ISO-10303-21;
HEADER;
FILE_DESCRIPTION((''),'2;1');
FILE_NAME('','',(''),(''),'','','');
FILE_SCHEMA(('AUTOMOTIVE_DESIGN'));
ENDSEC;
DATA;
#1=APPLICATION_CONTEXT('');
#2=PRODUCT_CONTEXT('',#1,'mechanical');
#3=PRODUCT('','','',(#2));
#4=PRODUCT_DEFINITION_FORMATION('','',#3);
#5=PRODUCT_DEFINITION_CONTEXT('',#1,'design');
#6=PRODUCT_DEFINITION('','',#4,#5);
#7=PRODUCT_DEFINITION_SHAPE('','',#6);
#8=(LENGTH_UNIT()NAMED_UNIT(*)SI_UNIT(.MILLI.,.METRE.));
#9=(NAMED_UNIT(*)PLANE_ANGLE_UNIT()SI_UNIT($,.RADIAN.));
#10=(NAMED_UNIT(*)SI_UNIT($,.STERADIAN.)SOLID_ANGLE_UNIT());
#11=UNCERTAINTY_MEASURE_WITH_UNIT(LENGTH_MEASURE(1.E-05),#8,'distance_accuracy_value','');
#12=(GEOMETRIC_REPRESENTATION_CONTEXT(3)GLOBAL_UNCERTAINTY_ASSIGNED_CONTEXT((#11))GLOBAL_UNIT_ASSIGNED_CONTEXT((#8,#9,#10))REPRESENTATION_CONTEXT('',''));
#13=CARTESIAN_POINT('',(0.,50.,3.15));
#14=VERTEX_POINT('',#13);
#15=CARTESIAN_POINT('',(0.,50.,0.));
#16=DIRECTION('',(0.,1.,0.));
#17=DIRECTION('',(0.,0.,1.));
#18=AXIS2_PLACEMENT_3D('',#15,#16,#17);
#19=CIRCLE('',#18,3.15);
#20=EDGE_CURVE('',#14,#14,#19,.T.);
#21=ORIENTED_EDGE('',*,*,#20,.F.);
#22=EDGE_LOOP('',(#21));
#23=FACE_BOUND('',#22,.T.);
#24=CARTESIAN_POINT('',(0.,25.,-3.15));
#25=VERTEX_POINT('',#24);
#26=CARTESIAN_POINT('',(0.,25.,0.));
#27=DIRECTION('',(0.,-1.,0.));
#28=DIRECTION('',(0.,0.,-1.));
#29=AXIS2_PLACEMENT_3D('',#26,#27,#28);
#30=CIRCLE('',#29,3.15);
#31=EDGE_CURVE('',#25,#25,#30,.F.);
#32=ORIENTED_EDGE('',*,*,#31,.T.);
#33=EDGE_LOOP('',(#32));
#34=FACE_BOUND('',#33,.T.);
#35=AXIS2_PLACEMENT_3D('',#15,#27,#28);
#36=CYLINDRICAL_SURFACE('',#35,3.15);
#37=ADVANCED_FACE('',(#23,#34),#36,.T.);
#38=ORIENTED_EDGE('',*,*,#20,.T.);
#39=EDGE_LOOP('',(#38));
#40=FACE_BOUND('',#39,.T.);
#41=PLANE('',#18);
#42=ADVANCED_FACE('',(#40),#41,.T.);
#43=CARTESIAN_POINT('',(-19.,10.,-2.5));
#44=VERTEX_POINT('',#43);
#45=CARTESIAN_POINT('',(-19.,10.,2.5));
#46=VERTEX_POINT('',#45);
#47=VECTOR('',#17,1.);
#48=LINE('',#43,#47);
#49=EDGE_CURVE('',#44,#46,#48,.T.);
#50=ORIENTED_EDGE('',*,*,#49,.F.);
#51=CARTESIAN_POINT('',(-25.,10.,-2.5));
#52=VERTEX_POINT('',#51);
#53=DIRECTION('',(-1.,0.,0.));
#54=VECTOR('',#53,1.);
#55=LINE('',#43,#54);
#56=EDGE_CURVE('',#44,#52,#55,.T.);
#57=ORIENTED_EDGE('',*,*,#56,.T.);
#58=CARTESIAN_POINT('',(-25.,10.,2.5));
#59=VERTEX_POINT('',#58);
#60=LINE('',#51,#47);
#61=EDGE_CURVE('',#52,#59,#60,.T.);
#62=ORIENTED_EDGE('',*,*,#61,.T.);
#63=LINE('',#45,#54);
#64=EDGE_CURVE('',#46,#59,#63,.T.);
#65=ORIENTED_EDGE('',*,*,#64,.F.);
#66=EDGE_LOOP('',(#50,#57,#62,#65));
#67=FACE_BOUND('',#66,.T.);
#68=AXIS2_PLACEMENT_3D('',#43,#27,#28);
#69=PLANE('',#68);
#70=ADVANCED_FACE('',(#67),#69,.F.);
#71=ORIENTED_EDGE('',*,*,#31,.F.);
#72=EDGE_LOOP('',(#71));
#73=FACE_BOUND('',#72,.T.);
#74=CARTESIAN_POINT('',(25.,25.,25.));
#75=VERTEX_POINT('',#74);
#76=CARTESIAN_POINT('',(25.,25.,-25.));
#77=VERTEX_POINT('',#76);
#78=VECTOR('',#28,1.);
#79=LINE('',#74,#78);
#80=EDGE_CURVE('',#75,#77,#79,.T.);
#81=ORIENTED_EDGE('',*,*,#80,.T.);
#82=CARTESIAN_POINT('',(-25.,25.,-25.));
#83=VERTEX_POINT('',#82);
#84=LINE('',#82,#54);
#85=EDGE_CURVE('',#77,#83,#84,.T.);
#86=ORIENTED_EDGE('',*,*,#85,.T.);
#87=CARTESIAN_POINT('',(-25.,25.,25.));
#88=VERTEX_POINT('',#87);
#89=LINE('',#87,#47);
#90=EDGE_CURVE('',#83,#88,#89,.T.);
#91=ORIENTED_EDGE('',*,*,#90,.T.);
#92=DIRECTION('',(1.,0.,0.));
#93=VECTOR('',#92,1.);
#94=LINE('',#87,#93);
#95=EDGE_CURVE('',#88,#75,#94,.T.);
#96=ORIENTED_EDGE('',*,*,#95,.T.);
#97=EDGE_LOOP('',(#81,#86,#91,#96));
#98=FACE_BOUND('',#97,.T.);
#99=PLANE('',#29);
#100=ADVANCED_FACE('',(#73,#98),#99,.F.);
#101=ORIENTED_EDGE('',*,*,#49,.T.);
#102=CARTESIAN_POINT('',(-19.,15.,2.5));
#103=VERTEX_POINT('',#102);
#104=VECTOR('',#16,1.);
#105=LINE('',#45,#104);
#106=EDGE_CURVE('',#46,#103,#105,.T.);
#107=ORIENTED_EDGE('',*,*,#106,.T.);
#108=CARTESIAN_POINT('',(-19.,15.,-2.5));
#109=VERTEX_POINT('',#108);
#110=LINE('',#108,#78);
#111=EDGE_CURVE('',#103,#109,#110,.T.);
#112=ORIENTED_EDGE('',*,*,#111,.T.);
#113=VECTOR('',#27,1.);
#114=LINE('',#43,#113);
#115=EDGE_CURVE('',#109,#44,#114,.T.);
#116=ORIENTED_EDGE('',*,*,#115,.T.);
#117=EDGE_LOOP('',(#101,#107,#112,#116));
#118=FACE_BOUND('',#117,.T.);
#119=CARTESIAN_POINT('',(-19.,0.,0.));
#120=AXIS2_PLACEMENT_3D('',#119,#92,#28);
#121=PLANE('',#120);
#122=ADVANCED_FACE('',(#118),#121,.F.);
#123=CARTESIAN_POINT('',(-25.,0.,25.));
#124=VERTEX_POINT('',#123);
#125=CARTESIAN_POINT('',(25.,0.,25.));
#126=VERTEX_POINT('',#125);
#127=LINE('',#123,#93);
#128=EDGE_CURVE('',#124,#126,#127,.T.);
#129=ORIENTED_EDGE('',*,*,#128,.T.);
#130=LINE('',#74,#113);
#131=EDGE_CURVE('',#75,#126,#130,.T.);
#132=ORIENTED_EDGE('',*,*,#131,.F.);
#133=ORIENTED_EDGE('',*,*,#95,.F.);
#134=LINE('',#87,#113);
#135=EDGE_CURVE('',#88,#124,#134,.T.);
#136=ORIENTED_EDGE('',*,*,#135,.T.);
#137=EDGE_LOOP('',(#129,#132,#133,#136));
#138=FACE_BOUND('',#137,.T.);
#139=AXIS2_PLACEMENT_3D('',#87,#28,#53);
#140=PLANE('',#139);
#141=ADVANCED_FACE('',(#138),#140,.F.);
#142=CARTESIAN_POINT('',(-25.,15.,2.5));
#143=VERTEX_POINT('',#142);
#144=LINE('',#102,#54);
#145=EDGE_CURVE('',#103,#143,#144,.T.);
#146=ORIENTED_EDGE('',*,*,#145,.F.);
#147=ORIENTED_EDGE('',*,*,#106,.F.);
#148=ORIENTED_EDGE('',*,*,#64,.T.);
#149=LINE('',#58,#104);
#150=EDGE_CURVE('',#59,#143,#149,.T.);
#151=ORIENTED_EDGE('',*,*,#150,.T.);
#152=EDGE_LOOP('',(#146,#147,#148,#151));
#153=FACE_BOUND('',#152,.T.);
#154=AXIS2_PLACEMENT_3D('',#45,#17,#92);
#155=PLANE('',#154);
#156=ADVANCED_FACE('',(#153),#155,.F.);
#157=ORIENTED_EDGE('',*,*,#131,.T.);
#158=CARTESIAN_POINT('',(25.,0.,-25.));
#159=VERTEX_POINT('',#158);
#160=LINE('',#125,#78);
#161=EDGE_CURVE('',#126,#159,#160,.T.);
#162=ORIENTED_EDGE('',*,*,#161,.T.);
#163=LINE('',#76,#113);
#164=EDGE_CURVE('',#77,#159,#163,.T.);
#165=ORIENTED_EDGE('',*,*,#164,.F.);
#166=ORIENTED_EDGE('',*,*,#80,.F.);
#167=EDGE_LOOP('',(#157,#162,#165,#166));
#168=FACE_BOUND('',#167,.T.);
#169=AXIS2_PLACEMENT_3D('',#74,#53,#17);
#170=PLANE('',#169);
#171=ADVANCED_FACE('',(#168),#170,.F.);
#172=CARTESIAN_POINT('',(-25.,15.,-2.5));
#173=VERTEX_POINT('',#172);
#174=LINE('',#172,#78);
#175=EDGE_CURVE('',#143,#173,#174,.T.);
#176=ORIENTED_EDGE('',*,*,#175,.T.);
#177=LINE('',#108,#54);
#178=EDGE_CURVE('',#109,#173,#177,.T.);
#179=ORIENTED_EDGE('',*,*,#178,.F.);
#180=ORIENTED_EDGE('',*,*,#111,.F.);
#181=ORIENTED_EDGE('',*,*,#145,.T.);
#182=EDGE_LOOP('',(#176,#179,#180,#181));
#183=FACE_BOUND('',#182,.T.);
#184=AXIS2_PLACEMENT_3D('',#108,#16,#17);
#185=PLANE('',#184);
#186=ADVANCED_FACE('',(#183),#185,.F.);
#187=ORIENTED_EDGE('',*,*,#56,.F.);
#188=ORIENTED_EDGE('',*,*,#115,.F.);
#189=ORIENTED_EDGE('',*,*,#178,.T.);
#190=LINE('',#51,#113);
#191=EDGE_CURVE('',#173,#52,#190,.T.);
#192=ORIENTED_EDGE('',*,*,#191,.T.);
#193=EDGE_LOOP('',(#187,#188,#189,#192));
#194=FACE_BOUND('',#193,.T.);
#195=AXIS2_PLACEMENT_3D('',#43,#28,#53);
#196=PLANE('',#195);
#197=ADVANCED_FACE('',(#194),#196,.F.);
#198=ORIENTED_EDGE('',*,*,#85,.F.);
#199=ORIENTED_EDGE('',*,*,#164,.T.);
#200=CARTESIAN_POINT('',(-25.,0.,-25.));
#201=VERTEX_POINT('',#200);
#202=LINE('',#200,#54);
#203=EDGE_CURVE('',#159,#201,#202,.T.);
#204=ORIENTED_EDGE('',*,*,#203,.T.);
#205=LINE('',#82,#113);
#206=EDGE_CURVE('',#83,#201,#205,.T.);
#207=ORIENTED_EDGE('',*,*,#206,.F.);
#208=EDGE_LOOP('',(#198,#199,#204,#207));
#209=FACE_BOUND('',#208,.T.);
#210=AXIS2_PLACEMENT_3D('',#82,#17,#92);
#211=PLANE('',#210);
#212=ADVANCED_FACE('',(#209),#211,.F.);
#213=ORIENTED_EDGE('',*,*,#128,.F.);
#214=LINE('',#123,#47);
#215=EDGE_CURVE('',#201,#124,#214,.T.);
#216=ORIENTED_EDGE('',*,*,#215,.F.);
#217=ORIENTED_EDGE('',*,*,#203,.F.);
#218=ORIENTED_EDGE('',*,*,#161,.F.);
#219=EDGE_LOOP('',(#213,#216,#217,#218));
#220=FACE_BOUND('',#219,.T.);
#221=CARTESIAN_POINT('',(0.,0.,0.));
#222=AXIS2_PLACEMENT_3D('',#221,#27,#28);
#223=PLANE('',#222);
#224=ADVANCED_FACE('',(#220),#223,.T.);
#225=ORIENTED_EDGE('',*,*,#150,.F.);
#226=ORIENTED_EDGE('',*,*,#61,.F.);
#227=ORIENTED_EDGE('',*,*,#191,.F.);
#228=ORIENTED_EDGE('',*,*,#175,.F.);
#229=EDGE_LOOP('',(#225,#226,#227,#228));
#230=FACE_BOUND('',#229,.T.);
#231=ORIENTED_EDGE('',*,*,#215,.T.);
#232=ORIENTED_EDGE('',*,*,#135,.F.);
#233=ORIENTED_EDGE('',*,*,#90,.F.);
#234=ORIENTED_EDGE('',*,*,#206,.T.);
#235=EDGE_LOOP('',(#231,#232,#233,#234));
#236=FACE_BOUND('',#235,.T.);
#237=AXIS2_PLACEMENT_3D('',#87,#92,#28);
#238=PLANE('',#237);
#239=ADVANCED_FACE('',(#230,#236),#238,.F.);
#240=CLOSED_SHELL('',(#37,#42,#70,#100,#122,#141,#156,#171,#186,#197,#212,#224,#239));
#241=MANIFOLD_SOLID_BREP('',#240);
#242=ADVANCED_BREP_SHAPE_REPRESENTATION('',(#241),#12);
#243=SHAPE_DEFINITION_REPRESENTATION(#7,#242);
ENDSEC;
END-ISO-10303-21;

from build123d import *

# Parameters (mm, degrees)
SKETCH1_W           = 50
SKETCH1_H           = 50
BOSS_EXTRUDE1_DEPTH = 25
SKETCH2_R           = 3.15
BOSS_EXTRUDE2_DEPTH = 25
SKETCH3_W           = 5
SKETCH3_H           = 5
CUT_EXTRUDE2_DEPTH  = 6


with BuildPart() as part:
    # Sketch1 → Boss-Extrude1 (new body)
    with BuildSketch(Plane(origin=(0, 0, 0), x_dir=(1, 0, 0), z_dir=(0, 1, 0))):
        Rectangle(SKETCH1_W, SKETCH1_H)
    extrude(amount=BOSS_EXTRUDE1_DEPTH)

    # Sketch2 → Boss-Extrude2 (add)
    with BuildSketch(Plane(origin=(0, 25, 0), x_dir=(1, 0, 0), z_dir=(0, 1, 0))):
        Circle(SKETCH2_R)
    extrude(amount=BOSS_EXTRUDE2_DEPTH)

    # Sketch3 → Cut-Extrude2 (cut)
    with BuildSketch(Plane.ZY.offset(25)):
        with Locations((0, 12.5)):
            Rectangle(SKETCH3_W, SKETCH3_H)
    extrude(amount=-CUT_EXTRUDE2_DEPTH, mode=Mode.SUBTRACT)


solid = part.part
